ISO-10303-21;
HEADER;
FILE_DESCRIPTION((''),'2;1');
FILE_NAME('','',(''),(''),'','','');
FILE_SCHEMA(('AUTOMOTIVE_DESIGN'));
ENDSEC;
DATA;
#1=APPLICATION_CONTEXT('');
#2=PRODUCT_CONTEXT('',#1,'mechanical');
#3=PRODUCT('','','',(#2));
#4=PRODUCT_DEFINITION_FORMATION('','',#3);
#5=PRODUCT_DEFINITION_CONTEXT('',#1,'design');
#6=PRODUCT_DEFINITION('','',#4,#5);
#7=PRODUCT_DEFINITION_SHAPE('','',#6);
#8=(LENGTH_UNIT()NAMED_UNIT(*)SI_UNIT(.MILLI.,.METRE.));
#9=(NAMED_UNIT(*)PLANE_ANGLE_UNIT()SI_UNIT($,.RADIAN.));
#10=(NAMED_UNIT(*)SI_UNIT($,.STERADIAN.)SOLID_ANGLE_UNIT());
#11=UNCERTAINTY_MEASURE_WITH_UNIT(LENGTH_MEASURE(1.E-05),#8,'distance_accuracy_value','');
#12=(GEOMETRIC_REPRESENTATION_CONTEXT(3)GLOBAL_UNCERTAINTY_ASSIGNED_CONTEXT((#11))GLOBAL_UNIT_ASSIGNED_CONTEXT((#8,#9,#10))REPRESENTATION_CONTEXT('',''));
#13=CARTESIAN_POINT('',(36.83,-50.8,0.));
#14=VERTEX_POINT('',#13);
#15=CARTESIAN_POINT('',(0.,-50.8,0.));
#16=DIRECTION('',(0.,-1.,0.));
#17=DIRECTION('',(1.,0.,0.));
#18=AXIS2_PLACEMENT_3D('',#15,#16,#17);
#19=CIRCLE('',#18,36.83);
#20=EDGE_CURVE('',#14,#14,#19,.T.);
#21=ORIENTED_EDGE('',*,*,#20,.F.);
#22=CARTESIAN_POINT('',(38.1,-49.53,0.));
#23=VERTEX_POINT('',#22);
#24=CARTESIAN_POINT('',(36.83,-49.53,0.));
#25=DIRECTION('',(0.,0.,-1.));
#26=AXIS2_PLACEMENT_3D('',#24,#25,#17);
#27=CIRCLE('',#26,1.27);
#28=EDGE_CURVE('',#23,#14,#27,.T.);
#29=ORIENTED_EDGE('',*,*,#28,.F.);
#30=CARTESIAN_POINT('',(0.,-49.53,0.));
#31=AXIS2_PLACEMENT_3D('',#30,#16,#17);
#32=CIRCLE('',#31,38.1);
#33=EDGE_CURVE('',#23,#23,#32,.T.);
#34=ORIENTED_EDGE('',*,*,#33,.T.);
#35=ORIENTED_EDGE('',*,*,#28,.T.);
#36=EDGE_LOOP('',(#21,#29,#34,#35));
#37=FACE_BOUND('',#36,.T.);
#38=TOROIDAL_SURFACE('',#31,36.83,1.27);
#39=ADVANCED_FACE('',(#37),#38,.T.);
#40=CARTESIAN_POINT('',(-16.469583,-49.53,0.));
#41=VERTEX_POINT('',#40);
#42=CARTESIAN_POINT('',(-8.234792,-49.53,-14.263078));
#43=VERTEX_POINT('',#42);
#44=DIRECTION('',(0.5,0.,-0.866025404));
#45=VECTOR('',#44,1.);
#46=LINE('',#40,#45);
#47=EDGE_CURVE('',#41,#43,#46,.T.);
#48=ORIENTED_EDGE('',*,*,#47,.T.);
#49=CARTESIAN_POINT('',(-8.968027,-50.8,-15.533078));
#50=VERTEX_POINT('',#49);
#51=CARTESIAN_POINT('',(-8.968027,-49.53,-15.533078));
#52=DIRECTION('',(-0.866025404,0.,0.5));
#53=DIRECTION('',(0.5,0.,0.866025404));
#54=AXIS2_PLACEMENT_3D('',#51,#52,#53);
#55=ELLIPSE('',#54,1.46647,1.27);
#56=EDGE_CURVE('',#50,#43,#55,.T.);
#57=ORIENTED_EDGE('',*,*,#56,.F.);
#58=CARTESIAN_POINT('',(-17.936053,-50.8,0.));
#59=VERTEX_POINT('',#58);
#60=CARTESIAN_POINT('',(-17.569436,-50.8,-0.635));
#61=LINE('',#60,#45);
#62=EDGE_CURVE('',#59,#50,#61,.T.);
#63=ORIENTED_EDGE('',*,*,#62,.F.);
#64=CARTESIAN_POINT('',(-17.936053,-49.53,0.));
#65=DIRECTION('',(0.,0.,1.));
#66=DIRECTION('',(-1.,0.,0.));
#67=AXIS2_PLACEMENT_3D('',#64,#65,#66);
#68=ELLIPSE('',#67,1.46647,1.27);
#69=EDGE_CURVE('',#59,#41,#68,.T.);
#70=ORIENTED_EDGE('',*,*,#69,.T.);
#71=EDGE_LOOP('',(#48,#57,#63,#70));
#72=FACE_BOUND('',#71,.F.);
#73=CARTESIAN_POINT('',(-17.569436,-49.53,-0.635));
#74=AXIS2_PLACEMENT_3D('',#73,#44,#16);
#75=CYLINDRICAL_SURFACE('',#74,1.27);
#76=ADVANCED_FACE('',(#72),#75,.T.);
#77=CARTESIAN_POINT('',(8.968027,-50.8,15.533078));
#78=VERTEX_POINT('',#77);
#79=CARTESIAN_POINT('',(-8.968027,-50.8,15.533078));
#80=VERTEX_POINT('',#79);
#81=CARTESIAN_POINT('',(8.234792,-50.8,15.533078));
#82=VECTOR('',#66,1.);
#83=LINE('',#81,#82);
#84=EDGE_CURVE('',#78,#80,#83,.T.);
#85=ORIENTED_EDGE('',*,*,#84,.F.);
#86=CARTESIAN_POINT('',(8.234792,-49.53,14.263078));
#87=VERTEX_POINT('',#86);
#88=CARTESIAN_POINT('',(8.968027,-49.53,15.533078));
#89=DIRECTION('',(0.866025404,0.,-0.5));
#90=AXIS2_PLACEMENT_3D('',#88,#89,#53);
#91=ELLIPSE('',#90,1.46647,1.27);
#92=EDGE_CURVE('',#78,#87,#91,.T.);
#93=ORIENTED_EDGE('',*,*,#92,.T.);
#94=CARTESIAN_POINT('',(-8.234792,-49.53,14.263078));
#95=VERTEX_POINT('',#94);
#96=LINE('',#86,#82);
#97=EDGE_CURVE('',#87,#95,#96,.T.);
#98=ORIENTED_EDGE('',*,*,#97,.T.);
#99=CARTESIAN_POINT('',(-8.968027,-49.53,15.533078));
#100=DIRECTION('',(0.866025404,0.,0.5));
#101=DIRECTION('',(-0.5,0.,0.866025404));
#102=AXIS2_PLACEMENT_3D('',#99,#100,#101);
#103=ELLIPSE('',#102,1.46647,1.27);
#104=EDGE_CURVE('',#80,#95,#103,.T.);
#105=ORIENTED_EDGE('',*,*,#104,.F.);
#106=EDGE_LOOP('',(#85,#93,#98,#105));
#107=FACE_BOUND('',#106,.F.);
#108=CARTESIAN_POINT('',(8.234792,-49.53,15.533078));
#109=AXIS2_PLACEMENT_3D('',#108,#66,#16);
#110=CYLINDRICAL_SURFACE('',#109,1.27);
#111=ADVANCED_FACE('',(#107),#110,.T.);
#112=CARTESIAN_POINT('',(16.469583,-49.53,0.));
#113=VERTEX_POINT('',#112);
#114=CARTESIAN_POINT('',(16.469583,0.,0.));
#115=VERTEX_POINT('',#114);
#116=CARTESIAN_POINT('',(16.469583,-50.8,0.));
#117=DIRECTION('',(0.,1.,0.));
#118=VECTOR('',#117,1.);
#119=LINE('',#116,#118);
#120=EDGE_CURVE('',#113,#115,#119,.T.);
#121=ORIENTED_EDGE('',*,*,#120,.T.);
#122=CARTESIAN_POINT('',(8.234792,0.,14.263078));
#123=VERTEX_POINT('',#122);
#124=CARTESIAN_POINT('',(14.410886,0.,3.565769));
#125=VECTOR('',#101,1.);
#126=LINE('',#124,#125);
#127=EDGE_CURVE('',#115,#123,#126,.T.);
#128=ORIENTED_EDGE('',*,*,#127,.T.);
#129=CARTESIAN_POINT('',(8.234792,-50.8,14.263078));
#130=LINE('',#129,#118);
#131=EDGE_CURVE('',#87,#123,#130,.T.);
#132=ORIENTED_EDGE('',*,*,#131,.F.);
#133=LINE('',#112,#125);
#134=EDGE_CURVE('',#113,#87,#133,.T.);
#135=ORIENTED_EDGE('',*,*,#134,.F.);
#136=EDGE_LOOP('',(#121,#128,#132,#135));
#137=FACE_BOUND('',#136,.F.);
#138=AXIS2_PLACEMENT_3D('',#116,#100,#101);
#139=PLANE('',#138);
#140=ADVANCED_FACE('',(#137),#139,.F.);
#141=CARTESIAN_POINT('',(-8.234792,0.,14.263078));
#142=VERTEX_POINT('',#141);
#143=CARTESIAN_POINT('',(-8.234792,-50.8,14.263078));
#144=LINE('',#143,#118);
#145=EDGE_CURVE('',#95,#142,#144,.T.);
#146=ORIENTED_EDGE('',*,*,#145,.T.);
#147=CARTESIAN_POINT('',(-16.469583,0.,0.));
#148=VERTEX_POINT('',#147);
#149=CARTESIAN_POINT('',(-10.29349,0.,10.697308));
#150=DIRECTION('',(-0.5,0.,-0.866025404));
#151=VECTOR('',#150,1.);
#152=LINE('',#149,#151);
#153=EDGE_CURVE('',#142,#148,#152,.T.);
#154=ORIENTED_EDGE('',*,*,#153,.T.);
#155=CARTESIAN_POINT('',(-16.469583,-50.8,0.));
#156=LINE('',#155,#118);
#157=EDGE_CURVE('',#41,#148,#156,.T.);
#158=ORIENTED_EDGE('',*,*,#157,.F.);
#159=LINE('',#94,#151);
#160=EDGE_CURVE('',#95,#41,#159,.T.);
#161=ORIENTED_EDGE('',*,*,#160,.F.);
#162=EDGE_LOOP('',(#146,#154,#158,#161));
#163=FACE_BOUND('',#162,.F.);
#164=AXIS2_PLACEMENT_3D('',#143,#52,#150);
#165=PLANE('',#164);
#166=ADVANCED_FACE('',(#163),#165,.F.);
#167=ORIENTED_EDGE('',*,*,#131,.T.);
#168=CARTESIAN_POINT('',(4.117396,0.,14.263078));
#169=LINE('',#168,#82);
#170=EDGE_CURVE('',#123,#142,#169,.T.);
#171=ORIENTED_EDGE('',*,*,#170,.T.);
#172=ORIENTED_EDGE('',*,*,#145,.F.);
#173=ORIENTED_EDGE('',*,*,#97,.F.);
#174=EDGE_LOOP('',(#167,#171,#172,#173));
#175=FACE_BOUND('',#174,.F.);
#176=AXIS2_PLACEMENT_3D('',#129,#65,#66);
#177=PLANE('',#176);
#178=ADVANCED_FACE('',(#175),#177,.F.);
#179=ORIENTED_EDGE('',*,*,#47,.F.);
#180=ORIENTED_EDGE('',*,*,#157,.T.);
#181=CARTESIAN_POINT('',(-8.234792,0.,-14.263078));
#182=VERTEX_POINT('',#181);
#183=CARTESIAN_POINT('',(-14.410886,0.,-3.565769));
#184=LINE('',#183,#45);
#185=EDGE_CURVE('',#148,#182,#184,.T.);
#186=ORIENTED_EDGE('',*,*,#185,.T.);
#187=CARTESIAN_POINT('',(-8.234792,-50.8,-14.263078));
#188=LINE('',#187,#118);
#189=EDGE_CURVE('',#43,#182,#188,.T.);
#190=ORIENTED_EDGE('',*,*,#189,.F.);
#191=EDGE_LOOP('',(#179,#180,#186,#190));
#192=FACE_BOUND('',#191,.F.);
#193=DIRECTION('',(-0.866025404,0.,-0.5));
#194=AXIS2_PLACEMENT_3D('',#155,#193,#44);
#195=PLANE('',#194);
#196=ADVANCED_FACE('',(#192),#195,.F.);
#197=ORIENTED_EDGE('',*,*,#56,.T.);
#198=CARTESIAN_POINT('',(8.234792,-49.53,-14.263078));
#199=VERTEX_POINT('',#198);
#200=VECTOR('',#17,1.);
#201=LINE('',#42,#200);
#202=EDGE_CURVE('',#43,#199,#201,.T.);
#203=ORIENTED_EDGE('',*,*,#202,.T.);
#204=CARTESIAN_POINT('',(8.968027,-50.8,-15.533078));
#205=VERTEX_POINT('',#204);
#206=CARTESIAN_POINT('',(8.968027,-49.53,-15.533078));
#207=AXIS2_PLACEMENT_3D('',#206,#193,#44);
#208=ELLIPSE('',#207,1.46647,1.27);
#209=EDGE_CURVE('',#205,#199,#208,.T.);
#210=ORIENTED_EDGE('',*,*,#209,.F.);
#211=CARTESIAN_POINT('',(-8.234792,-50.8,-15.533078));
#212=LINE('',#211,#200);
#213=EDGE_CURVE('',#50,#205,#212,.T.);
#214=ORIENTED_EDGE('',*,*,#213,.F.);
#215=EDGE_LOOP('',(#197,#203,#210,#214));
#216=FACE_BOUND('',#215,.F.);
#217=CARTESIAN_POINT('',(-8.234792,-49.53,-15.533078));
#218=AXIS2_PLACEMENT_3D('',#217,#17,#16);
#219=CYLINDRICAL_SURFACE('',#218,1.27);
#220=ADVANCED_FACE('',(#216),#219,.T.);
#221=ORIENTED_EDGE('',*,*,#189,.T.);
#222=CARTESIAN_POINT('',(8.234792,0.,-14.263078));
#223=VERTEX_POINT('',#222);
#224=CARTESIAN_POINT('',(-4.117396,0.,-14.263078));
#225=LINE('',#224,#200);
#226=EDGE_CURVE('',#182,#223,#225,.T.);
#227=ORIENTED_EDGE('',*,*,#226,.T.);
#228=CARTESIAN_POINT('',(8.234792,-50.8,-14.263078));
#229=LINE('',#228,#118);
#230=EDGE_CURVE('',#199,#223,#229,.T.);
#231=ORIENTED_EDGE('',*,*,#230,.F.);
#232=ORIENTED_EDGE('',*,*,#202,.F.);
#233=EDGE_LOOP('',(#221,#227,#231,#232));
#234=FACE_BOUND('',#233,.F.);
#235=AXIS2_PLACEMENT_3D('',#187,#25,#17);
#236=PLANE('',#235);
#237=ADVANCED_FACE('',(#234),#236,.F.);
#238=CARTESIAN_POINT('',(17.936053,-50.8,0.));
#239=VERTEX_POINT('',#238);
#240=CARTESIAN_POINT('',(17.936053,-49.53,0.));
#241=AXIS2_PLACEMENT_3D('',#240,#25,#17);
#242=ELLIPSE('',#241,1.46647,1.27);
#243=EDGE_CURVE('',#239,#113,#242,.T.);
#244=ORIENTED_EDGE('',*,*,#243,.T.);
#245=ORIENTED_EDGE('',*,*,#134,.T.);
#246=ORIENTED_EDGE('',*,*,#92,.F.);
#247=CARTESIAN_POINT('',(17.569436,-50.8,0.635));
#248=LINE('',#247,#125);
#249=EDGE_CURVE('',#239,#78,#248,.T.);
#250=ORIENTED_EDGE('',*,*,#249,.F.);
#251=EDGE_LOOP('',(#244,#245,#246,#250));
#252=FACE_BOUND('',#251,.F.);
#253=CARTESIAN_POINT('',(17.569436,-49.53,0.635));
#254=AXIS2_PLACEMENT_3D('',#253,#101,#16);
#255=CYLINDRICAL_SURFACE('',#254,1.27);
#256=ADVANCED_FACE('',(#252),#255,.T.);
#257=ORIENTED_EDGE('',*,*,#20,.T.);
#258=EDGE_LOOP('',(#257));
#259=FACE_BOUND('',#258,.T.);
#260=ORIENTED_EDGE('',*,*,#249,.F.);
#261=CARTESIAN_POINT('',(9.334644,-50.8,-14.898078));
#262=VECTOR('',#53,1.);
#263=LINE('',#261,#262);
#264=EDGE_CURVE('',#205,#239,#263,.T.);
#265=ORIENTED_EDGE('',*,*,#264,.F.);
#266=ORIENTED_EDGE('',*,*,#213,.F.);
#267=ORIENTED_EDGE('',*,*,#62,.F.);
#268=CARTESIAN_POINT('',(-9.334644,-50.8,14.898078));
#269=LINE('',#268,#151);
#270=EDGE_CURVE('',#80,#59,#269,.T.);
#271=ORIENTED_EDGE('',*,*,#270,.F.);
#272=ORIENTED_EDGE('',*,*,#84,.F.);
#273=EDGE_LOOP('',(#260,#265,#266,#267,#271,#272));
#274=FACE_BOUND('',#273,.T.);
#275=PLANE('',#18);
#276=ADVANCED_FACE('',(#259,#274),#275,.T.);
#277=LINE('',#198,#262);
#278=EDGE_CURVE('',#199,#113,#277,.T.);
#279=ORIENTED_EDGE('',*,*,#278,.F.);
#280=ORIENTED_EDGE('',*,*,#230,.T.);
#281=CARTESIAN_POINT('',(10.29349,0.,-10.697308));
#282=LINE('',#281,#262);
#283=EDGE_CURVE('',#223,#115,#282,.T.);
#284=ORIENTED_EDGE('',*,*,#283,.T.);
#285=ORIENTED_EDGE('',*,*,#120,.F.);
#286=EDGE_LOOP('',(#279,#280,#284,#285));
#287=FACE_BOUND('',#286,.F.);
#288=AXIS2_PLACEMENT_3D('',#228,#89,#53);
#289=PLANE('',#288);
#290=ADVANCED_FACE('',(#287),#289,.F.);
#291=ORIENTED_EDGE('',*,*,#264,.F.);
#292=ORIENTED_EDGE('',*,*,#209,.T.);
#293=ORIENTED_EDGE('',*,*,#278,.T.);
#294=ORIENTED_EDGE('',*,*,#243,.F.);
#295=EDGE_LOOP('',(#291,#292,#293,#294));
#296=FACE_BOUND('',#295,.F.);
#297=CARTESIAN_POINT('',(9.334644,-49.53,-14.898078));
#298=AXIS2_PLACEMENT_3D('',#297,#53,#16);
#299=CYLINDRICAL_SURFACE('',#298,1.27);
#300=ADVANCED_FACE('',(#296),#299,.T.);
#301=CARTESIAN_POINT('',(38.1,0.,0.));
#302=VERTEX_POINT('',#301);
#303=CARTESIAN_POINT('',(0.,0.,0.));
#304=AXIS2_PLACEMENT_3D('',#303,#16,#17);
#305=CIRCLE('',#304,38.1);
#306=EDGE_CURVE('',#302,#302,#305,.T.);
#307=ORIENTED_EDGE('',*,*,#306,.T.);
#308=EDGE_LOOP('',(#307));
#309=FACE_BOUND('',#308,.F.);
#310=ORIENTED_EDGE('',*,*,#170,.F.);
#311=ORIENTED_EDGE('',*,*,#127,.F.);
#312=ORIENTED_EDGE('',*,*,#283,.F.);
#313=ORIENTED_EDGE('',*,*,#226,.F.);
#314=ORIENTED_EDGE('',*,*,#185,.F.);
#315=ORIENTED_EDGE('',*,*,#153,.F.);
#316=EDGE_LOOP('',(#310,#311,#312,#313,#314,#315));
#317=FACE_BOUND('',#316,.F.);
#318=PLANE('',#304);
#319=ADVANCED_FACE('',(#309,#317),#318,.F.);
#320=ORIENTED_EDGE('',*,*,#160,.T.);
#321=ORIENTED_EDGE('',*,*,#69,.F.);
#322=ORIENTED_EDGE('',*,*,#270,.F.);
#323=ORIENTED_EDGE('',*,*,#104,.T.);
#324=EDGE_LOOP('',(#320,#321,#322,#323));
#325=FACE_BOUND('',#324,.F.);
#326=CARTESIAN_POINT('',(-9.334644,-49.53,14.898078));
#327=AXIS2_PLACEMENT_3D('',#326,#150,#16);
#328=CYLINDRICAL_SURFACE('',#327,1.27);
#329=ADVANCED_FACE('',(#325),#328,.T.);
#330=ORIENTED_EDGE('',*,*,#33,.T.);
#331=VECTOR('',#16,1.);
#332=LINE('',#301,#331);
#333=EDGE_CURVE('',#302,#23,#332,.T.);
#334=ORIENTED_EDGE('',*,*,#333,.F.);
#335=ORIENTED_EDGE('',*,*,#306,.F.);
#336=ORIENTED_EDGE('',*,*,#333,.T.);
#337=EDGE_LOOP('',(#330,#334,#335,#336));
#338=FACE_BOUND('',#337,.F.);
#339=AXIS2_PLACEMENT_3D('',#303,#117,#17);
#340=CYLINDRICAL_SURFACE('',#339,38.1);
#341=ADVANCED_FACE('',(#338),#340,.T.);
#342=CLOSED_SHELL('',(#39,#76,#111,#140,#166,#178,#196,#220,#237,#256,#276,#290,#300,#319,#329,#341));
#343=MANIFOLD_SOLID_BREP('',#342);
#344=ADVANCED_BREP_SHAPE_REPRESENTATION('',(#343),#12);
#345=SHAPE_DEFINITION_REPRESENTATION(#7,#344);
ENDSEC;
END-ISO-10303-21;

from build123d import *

# Parameters (mm, degrees)
F0_R     = 38.1
F1_DEPTH = 50.8
F3_DEPTH = 50.801
F4_R     = 1.27


with BuildPart() as f1:
    # F0 (on Front) → F1 (new body)
    with BuildSketch(Plane.XZ):
        Circle(F0_R)
    extrude(amount=F1_DEPTH)

    # F2 (on face) → F3 (cut, through all)
    with BuildSketch(Plane.XZ.offset(50.8)):
        Polygon((-8.2347917144, -14.263077639), (8.2347917144, -14.263077639), (16.4695834287, 0), (8.2347917144, 14.263077639), (-8.2347917144, 14.263077639), (-16.4695834287, 0), align=None)
    extrude(amount=-F3_DEPTH, mode=Mode.SUBTRACT)

    # F4
    f4_edges = [f1.edges().sort_by_distance(p)[0] for p in [
        (-38.1, -50.8, 0),
        (0, -50.8, -14.263078),
        (12.352188, -50.8, -7.131539),
        (12.352188, -50.8, 7.131539),
        (0, -50.8, 14.263078),
        (-12.352188, -50.8, 7.131539),
        (-12.352188, -50.8, -7.131539),
    ]]
    fillet(f4_edges, radius=F4_R)


solid = f1.part
